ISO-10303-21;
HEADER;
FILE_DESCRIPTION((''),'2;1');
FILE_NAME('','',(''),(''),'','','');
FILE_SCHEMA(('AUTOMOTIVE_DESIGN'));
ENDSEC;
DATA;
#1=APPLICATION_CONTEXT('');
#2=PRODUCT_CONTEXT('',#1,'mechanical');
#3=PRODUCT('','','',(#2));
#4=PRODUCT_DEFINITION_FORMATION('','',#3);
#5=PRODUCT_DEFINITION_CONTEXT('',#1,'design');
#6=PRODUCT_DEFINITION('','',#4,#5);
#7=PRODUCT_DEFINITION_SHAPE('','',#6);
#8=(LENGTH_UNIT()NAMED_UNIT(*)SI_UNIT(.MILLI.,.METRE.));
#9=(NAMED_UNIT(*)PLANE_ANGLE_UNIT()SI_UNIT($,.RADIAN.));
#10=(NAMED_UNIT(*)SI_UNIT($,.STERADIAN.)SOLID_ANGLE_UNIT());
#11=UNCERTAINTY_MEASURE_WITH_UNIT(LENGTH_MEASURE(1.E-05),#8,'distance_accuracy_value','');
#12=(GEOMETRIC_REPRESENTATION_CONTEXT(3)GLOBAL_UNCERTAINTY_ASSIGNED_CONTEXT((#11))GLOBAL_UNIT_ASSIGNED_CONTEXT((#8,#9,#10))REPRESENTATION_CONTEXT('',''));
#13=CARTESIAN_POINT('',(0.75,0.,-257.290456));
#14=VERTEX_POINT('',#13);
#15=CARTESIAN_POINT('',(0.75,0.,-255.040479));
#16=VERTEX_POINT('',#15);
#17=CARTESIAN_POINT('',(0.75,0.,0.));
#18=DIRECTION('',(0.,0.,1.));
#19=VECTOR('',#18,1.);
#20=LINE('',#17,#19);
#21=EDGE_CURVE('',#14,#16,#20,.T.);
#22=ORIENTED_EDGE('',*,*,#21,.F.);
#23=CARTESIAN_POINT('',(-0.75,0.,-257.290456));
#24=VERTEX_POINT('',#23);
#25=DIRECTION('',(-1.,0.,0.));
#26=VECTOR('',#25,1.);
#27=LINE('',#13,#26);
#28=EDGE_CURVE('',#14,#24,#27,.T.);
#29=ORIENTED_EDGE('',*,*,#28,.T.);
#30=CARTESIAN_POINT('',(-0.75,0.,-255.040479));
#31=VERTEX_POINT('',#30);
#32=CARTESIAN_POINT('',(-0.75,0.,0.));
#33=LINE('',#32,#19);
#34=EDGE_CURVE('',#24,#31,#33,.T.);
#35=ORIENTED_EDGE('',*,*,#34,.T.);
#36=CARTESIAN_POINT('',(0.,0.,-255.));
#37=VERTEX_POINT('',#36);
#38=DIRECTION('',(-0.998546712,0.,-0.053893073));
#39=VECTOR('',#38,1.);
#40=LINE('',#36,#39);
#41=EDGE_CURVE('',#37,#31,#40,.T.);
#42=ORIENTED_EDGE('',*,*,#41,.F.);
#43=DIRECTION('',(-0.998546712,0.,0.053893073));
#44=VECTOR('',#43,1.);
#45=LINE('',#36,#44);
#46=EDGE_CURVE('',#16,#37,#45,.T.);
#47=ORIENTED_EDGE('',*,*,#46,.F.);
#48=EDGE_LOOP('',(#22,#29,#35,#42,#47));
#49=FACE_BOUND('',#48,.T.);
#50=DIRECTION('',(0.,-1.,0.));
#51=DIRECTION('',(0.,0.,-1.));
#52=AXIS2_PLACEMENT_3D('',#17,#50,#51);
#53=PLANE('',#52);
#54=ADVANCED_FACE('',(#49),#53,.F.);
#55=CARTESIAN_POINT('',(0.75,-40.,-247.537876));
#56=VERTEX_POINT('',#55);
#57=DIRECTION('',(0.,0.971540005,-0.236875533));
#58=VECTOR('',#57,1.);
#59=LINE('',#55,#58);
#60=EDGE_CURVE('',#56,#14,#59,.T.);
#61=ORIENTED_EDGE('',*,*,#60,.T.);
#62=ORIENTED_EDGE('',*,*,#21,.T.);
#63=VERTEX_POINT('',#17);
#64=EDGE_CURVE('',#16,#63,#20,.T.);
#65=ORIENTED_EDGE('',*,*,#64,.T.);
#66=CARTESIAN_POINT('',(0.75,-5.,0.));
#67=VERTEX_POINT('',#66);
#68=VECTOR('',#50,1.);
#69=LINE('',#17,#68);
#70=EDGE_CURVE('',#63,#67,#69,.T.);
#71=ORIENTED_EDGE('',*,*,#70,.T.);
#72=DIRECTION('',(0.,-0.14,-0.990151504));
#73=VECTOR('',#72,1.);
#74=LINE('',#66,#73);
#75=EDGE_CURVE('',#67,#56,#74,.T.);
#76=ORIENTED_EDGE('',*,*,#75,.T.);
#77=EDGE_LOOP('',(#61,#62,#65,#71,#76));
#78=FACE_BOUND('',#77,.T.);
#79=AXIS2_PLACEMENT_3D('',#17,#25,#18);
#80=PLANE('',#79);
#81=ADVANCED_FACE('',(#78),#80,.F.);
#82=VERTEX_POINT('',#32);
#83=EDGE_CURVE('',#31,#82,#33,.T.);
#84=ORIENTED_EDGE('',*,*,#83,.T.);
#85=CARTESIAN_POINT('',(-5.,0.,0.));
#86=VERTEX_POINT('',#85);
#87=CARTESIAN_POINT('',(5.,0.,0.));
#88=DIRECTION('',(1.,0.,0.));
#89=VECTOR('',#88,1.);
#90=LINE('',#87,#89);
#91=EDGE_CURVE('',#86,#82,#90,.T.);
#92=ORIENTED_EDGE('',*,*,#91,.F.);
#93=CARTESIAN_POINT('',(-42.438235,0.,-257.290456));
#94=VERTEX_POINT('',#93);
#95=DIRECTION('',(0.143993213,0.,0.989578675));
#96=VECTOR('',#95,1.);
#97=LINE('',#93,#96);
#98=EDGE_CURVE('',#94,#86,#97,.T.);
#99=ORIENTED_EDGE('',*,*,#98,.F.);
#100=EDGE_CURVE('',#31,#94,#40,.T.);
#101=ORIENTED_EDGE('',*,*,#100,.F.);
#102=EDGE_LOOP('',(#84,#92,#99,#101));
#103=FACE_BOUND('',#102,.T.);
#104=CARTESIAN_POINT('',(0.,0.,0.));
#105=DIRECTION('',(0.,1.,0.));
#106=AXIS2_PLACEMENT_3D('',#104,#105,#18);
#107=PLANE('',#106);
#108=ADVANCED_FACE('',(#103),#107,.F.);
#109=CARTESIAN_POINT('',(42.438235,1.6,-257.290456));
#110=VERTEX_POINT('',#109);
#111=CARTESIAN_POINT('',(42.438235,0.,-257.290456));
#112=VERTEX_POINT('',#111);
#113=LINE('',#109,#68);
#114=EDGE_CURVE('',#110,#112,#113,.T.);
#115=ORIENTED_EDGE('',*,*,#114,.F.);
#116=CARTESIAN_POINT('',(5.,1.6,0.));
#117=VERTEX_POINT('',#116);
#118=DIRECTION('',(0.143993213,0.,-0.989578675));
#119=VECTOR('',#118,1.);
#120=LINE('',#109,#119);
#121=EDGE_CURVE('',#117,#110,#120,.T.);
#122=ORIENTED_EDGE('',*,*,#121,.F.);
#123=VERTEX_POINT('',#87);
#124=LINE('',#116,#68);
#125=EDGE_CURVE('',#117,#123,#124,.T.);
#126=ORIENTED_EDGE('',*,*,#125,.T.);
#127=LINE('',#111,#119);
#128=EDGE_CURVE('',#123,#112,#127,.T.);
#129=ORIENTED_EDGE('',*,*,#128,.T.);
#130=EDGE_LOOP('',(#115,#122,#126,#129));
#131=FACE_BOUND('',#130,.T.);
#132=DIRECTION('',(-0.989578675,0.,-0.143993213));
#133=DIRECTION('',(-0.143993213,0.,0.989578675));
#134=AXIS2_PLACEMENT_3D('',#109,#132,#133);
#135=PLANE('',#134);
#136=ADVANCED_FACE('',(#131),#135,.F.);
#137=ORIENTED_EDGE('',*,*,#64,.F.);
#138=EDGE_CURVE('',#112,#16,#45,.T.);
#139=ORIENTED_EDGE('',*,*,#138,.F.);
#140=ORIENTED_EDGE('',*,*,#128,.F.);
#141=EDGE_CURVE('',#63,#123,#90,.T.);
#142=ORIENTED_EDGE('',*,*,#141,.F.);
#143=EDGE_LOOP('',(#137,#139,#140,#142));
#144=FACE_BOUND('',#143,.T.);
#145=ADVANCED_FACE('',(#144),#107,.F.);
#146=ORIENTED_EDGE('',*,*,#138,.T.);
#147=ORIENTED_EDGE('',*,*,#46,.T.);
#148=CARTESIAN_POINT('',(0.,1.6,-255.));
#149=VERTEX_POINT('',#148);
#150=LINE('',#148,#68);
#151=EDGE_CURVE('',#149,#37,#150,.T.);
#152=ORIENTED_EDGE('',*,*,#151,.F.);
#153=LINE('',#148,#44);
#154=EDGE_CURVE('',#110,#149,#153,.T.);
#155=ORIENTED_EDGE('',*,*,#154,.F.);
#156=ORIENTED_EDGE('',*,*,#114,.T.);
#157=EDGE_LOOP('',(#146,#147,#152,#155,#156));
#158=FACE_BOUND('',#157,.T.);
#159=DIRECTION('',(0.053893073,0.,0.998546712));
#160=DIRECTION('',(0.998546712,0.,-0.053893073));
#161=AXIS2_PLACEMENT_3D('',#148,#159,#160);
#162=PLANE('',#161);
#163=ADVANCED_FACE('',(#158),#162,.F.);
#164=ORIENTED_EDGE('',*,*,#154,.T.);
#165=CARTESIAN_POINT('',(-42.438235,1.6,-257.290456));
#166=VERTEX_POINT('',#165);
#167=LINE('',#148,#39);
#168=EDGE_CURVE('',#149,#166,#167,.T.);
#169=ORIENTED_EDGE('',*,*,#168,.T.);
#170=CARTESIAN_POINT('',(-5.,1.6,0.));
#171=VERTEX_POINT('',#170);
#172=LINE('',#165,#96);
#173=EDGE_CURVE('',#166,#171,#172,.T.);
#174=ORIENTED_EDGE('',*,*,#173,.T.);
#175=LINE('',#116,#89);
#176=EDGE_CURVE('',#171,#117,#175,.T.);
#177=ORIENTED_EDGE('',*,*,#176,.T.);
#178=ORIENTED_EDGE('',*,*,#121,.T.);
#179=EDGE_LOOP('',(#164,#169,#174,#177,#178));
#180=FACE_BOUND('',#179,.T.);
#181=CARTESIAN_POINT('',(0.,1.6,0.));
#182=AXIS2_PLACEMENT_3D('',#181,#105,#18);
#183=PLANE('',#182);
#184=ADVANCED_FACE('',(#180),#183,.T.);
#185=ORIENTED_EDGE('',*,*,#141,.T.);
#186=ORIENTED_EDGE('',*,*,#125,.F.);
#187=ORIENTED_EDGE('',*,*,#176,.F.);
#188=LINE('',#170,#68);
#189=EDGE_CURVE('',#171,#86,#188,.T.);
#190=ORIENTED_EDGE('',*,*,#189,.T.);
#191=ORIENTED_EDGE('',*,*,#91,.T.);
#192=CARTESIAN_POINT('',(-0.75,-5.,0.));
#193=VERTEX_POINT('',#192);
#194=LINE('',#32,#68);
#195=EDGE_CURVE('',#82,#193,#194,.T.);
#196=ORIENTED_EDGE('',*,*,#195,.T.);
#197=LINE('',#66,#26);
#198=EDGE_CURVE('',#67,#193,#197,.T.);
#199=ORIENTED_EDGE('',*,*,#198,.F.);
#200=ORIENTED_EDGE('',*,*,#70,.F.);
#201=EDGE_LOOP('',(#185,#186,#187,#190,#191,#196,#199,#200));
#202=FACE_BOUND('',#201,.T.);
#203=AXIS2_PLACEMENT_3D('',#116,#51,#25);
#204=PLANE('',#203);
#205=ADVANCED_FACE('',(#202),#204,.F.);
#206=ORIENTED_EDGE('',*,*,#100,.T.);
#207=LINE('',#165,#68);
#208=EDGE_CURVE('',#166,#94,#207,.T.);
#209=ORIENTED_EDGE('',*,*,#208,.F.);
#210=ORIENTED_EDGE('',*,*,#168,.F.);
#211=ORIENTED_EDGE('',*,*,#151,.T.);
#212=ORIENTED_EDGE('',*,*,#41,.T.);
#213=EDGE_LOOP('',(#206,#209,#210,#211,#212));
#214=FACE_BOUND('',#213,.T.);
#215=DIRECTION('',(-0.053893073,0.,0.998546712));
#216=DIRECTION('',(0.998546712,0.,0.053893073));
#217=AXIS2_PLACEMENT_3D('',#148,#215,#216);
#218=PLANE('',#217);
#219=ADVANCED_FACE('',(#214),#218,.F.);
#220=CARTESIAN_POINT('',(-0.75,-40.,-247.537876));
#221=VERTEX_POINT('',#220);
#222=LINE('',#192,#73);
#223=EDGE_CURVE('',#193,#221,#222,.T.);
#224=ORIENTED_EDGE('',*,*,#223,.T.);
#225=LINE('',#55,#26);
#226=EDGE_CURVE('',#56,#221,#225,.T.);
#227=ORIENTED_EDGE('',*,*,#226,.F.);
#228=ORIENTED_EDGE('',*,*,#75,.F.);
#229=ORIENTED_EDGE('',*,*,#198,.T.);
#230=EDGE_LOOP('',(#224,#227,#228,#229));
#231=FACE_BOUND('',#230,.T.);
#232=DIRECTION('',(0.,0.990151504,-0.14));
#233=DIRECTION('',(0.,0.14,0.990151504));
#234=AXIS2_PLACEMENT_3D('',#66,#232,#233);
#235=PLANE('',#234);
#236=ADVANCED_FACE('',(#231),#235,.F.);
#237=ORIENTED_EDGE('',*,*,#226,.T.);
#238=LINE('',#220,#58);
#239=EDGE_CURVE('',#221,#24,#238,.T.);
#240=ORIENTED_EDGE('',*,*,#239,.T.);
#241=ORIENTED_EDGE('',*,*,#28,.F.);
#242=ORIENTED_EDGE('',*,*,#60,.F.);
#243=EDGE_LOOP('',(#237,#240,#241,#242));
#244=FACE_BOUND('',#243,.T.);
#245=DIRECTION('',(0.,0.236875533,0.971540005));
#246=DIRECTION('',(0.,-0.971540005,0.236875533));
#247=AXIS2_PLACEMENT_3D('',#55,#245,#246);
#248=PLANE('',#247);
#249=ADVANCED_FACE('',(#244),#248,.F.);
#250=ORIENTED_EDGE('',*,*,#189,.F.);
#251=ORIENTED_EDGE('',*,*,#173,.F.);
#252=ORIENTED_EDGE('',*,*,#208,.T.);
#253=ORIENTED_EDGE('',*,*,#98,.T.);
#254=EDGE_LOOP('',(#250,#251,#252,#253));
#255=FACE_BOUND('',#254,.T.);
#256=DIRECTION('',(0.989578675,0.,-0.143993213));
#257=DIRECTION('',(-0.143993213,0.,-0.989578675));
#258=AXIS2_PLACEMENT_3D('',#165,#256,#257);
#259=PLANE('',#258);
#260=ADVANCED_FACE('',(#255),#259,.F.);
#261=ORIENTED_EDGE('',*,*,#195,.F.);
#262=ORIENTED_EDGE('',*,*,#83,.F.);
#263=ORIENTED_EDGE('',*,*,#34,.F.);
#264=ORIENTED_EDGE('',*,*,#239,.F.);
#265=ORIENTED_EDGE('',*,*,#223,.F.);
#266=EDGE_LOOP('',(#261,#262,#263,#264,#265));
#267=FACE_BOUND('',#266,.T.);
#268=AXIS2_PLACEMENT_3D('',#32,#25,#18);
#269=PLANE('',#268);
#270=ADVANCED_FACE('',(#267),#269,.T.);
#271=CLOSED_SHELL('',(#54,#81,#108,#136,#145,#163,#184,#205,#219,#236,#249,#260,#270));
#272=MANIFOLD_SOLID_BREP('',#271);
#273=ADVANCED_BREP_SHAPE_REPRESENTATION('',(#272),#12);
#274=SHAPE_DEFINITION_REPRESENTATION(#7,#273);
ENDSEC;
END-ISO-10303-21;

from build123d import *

# Parameters (mm, degrees)
EXTRUDE_1_DEPTH = 1.6
EXTRUDE_2_DEPTH = 0.75


with BuildPart() as part:
    # ｽｹｯﾁ1 → ﾎﾞｽ - 押し出し1 (new body)
    with BuildSketch(Plane(origin=(0, 0, 0), x_dir=(1, 0, 0), z_dir=(0, 1, 0))):
        Polygon((0, 255), (42.438235274, 257.290455594), (5, 0), (-5, 0), (-42.438235274, 257.290455594), align=None)
    extrude(amount=EXTRUDE_1_DEPTH)

    # ｽｹｯﾁ2 → ﾎﾞｽ - 押し出し2 (add, symmetric)
    with BuildSketch(Plane(origin=(0, 0, 0), x_dir=(0, 0, -1), z_dir=(1, 0, 0))):
        Polygon((0, 0), (0, -5), (247.53787589, -40), (257.290455594, 0), align=None)
    extrude(amount=EXTRUDE_2_DEPTH, both=True)


solid = part.part
